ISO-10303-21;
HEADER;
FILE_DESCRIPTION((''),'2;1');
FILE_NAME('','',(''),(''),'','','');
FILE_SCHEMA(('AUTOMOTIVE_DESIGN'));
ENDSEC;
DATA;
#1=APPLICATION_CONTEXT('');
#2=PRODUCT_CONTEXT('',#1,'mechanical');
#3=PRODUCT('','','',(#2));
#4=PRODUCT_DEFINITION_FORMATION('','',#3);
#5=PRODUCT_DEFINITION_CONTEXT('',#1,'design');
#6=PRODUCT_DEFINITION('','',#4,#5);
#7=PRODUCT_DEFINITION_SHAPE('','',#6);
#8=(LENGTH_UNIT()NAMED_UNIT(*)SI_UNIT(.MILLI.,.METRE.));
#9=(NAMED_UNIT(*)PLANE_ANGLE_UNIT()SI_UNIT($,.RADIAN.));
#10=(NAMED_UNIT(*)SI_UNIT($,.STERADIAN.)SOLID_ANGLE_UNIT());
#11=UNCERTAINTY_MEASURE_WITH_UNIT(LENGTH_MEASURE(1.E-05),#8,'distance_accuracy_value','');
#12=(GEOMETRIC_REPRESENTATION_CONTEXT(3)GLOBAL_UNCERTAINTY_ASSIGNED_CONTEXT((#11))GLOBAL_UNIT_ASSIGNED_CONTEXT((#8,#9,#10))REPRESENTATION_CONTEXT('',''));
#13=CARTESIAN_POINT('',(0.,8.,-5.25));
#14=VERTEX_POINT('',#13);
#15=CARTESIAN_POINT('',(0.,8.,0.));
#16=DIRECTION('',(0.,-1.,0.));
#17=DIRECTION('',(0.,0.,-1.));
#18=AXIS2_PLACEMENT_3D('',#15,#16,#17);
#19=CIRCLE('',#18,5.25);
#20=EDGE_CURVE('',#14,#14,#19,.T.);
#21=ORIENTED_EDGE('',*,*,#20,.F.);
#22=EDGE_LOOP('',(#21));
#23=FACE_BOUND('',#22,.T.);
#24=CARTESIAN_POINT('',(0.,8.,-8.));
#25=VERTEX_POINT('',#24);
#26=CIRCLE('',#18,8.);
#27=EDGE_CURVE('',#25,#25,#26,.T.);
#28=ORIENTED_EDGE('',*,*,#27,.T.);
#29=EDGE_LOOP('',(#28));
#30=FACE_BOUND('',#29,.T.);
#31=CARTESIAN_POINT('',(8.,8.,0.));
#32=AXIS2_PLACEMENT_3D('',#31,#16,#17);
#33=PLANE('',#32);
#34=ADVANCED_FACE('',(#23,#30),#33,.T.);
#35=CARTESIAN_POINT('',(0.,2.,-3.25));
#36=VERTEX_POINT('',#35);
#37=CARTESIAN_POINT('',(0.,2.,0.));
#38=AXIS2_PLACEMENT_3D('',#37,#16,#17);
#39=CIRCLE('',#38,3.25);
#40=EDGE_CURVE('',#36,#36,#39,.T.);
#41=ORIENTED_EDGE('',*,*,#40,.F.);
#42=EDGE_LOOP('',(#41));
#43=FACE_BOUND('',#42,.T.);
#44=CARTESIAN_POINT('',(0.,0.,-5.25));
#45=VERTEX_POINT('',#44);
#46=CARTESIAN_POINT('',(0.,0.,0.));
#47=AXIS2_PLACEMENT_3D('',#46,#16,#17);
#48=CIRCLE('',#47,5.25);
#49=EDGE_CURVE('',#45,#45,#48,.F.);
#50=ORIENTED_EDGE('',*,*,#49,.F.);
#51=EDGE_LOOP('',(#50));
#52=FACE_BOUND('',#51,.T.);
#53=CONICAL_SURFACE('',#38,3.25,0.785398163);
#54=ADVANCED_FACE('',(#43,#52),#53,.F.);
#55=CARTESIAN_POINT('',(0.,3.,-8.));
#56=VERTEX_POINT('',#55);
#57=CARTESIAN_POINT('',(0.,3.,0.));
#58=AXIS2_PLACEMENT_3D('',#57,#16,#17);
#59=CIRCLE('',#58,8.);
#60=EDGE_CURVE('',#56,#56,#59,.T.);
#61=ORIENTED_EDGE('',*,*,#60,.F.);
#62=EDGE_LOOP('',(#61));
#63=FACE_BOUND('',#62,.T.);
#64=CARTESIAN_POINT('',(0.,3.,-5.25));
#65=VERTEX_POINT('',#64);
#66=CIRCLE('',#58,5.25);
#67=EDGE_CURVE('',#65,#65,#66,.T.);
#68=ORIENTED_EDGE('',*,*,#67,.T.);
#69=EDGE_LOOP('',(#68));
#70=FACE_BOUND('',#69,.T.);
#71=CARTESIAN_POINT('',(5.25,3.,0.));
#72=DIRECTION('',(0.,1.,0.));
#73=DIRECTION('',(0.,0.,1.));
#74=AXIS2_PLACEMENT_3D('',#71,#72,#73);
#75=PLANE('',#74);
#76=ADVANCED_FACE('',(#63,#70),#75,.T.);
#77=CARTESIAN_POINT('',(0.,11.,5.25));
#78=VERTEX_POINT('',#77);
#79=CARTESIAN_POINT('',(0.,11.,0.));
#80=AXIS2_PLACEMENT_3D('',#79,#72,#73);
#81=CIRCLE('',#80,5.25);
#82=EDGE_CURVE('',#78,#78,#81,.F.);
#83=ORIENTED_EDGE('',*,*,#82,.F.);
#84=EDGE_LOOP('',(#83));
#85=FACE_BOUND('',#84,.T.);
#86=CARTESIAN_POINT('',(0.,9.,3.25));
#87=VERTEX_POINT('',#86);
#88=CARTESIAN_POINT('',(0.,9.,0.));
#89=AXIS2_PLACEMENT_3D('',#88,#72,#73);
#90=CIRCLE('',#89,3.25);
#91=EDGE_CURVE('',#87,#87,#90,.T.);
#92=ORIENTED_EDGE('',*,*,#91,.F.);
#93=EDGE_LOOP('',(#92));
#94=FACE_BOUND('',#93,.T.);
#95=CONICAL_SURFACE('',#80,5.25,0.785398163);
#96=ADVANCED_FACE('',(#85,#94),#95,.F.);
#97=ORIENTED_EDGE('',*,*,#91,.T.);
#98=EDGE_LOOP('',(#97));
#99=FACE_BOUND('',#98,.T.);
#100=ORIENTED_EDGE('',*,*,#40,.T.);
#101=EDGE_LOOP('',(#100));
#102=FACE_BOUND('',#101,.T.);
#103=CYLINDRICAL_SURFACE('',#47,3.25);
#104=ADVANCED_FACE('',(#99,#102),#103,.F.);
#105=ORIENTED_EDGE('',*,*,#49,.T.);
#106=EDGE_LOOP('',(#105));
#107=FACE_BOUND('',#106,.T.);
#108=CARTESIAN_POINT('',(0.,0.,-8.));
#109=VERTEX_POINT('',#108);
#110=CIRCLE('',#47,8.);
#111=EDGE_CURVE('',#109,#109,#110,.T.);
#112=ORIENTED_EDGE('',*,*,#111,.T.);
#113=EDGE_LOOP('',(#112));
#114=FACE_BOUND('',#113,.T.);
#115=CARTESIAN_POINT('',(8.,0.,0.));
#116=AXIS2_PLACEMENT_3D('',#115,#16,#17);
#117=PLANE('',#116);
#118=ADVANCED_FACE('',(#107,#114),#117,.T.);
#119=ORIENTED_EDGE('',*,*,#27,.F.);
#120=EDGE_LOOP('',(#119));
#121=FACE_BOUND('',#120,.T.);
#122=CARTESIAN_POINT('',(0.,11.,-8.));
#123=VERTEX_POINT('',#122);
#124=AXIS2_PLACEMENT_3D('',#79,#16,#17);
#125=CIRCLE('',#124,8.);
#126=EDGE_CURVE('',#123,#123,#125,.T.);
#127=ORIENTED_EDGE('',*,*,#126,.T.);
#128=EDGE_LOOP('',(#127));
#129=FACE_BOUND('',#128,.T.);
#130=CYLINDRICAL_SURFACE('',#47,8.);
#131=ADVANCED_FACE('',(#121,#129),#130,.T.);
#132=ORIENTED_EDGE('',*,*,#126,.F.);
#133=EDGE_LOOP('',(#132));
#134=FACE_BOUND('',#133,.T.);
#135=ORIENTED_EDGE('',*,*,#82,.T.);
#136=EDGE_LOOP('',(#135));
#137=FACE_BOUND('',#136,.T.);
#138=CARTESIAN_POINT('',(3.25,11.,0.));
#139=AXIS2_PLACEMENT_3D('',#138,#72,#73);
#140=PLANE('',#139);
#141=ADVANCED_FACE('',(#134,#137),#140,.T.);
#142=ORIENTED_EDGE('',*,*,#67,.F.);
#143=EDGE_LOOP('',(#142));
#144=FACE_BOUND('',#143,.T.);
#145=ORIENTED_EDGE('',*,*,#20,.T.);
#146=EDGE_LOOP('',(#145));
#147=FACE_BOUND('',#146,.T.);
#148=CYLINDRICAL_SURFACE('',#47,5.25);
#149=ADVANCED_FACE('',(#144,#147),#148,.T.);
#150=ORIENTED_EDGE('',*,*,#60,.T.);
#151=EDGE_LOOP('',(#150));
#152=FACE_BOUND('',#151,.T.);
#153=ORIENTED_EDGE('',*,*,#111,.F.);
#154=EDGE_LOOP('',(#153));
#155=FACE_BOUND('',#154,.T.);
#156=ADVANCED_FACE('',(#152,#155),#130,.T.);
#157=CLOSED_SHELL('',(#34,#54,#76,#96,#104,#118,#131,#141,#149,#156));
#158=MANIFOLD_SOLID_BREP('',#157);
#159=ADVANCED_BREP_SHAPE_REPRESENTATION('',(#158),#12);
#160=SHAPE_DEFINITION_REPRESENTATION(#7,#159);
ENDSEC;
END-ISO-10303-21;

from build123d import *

# Parameters (mm, degrees)
CHAMFER1_SIZE = 2


with BuildPart() as part:
    # Sketch1 → Revolve1 (revolve)
    with BuildSketch(Plane.XY, mode=Mode.PRIVATE) as revolve1_sk:
        Polygon((3.25, 0), (3.25, 11), (8, 11), (8, 8), (5.25, 8), (5.25, 3), (8, 3), (8, 0), align=None)
    revolve(revolve1_sk.sketch.rotate(Axis((0, 0, 0), (0, 1, 0)), 90), axis=Axis((0, 0, 0), (0, 1, 0)))

    # Chamfer1
    chamfer1_edges = [part.edges().sort_by_distance(p)[0] for p in [
        (0, 0, 3.25),
        (0, 11, 3.25),
    ]]
    chamfer(chamfer1_edges, length=CHAMFER1_SIZE)


solid = part.part
